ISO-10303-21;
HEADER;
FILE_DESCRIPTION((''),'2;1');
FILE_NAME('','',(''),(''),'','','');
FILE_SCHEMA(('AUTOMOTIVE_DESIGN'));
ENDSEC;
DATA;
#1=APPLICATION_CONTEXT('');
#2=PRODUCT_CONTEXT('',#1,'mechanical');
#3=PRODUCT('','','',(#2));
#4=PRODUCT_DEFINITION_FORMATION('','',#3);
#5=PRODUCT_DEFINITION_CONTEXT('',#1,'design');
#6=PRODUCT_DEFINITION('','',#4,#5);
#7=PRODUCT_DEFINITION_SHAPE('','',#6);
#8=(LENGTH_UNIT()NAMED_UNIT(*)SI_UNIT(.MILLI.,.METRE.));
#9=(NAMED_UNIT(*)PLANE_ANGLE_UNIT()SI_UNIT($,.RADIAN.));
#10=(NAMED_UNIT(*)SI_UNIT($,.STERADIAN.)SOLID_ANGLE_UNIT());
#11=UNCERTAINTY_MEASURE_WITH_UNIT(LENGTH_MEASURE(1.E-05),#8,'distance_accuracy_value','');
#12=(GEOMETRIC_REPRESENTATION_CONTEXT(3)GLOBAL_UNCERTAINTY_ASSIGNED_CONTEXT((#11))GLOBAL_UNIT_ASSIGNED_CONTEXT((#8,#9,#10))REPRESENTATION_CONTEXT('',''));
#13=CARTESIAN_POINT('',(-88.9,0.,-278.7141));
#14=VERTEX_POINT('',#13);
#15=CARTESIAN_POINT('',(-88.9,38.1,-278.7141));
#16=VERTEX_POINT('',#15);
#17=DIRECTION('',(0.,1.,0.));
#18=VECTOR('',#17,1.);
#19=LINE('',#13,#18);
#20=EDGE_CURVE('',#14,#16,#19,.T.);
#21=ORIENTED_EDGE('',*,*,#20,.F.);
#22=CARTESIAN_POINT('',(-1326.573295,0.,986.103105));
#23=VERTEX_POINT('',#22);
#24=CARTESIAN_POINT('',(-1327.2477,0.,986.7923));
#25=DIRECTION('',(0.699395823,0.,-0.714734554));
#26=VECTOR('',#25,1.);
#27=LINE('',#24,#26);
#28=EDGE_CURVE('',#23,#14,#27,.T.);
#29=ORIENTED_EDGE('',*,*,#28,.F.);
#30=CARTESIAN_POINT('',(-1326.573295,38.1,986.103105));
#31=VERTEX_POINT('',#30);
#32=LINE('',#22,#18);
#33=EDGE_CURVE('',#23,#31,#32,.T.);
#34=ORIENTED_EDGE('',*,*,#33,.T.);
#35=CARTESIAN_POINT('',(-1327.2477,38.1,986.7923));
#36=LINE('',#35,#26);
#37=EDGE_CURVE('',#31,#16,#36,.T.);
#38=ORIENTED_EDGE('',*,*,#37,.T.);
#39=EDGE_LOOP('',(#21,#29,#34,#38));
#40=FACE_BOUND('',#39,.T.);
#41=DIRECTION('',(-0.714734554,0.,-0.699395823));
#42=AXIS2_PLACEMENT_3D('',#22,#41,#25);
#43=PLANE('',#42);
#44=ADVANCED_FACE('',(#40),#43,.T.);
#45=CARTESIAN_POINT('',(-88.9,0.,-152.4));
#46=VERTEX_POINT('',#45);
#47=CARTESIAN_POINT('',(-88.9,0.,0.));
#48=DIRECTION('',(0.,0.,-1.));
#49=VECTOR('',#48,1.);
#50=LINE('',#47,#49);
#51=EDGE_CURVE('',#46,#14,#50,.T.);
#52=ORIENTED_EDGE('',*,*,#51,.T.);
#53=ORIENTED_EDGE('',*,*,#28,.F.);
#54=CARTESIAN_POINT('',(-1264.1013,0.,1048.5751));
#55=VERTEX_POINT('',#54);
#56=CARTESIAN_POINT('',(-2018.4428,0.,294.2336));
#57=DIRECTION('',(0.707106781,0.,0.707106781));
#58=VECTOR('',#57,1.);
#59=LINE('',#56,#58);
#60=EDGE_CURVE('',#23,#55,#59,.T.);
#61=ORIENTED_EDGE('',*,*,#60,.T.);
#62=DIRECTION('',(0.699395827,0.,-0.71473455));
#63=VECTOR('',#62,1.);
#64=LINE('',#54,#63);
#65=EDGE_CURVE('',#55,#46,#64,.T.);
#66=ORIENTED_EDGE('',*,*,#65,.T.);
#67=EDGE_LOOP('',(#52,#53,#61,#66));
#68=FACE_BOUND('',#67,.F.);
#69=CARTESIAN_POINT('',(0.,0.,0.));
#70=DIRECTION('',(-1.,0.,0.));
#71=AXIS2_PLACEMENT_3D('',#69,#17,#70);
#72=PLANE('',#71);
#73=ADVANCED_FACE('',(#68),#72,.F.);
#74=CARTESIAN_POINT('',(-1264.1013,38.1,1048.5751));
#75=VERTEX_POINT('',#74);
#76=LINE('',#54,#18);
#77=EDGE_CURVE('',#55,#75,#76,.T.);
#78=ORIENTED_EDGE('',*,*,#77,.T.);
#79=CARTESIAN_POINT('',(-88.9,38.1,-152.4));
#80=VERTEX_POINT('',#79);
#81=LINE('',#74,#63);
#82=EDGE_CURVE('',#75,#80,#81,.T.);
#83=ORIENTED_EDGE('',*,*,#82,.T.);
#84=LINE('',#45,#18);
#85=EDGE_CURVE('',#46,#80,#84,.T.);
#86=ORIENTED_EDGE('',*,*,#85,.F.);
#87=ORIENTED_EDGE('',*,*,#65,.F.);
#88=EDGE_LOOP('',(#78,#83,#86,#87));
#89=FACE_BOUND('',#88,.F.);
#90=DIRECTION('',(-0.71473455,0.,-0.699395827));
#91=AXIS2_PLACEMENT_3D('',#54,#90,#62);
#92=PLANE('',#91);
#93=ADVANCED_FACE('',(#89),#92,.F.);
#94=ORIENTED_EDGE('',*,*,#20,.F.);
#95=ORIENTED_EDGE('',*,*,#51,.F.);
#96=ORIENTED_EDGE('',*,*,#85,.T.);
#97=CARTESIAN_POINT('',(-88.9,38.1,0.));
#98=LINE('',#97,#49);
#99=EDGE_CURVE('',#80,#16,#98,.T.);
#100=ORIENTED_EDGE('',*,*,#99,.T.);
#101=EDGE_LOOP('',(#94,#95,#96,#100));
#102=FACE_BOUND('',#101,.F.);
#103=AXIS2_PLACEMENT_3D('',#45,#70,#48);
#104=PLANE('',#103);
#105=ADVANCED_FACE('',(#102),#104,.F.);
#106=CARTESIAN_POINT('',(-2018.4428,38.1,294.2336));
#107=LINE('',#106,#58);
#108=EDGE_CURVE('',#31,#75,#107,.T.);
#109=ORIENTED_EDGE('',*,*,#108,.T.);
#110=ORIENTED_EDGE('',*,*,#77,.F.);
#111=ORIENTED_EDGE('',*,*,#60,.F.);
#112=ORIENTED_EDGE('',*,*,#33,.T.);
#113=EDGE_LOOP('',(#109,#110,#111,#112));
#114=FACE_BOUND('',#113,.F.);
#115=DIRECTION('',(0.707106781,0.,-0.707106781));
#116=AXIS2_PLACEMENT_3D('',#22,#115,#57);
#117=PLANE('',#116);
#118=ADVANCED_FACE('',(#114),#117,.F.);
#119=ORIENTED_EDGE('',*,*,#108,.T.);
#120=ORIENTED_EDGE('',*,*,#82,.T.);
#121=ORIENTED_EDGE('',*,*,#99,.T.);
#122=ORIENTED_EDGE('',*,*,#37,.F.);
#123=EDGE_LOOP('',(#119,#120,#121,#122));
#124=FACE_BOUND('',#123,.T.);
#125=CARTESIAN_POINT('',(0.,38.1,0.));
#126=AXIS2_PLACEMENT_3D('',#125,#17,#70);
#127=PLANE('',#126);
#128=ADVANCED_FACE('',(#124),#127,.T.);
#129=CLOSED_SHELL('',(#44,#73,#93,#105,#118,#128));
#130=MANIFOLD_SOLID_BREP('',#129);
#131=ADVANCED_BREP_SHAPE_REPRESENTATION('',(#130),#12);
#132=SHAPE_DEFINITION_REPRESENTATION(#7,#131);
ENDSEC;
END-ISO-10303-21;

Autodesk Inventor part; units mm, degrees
ref_plane "YZ Plane" through (0, 0, 0) normal (1, 0, 0) x (0, 1, 0)
ref_plane "XZ Plane" through (0, 0, 0) normal (0, 1, 0) x (-1, 0, 0)
ref_plane "XY Plane" through (0, 0, 0) normal (0, 0, 1) x (1, 0, 0)
sketch "Sketch1" plane through (0, 0, 0) normal (0, 1, 0) x (-1, 0, 0)
  line L0 (0, 0) -> (0, -1219.2)
  line L1 (0, 0) -> (88.9, 0)
  line L2 (88.9, 0) -> (88.9, -1219.2)
  line L3 (88.9, -1219.2) -> (0, -1219.2)
  line L4 (0, 0) -> (0, 1219.2) construction
  line L5 (0, 1219.2) -> (1219.2, 1219.2) construction
  line L6 (0, 1219.2) -> (0, 3657.6) construction
  line L7 (0, 3657.6) -> (0, 4876.8) construction
  line L8 (0, 4876.8) -> (0, 6096) construction
  line L9 (0, -1219.2) -> (2438.4, -1219.2) construction
  line L10 (0, 6096) -> (2438.4, 6096) construction
  line L11 (2438.4, 6096) -> (2438.4, -1219.2) construction
  line L12 (0, 3657.6) -> (0, 3352.8) construction
  line L13 (0, 3352.8) -> (2438.4, 3352.8) construction
  line L14 (2438.4, 3352.8) -> (1219.2, 3352.8)
  line L15 (1219.2, 3352.8) -> (1219.2, 3263.9)
  line L16 (1219.2, 3263.9) -> (2438.4, 3263.9)
  line L17 (2438.4, 3263.9) -> (2438.4, 3352.8)
  line L18 (0, 6096) -> (862.1046, 6958.1046)
  line L19 (862.1046, 6958.1046) -> (924.9664, 6895.2428)
  line L20 (924.9664, 6895.2428) -> (62.8618, 6033.1382)
  line L21 (62.8618, 6033.1382) -> (0, 6096)
  line L22 (0, 4876.8) -> (1219.2, 4876.8) construction
  line L23 (1219.2, 4876.8) -> (2081.3046, 5738.9046)
  line L24 (1219.2, 1219.2) -> (2081.3046, 357.0954)
  line L25 (2081.3046, 357.0954) -> (2018.4428, 294.2336)
  line L26 (2018.4428, 294.2336) -> (1156.3382, 1156.3382)
  line L27 (1156.3382, 1156.3382) -> (1219.2, 1219.2)
  line L28 (2018.4428, 294.2336) -> (88.9, -1219.2)
  line L29 (2081.3046, 357.0954) -> (2144.1664, 419.9572)
  line L30 (2144.1664, 419.9572) -> (1282.0618, 1282.0618)
  line L31 (1282.0618, 1282.0618) -> (1219.2, 1219.2)
  line L32 (2438.4, 3352.8) -> (2438.4, 3441.7)
  line L33 (2438.4, 3441.7) -> (1219.2, 3441.7)
  line L34 (1219.2, 3441.7) -> (1219.2, 3352.8)
  line L35 (1156.3382, 4939.6618) -> (1282.0618, 4813.9382)
  line L36 (2018.4428, 5801.7664) -> (2144.1664, 5676.0428)
  line L37 (1282.0618, 4813.9382) -> (2144.1664, 5676.0428)
  line L38 (2018.4428, 5801.7664) -> (1156.3382, 4939.6618)
  line L39 (2018.4428, 5801.7664) -> (924.9664, 6895.2428)
  line L40 (62.8618, 6033.1382) -> (1156.3382, 4939.6618)
  line L41 (1233.6206, 4168.8855) -> (1267.6412, 4086.7527)
  line L42 (1263.7078, 2313.9849) -> (1230.0006, 2231.7229)
  arc A0 (862.1046, 6958.1046) -> (0, 6096) centre (431.0523, 6527.0523) ccw
  line L43 (1246.8542, 2272.8539) -> (2375.0183, 1810.583)
  line L44 (2391.8719, 1851.7139) -> (2358.1646, 1769.452)
  line L45 (2391.8719, 1851.7139) -> (1263.7078, 2313.9849)
  line L46 (1230.0006, 2231.7229) -> (2358.1646, 1769.452)
  line L47 (1230.0006, 2231.7229) -> (1219.2, 3263.9)
  line L48 (2144.1664, 419.9572) -> (2391.8719, 1851.7139)
  line L49 (2391.8719, 1851.7139) -> (2438.4, 3263.9)
  line L50 (1219.2, 3441.7) -> (1233.6206, 4168.8855)
  line L51 (1250.6309, 4127.8191) -> (2377.0248, 4594.3867)
  line L52 (2360.0145, 4635.4532) -> (2394.0351, 4553.3203)
  line L53 (2394.0351, 4553.3203) -> (1267.6412, 4086.7527)
  line L54 (2360.0145, 4635.4532) -> (1233.6206, 4168.8855)
  line L55 (2394.0351, 4553.3203) -> (2144.1664, 5676.0428)
  line L56 (2438.4, 3441.7) -> (2394.0351, 4553.3203)
  line L57 (2144.1664, 5676.0428) -> (2057.3895, 5656.7301)
  line L58 (2394.0351, 4553.3203) -> (2305.2058, 4549.7751)
  line L59 (2394.0351, 4553.3203) -> (2307.2582, 4534.0076)
  line L60 (2307.2582, 4534.0076) -> (2057.3895, 5656.7301)
  line L61 (2438.4, 3441.7) -> (2349.5707, 3438.1548)
  line L62 (2349.5707, 3438.1548) -> (2305.2058, 4549.7751)
  line L63 (1219.2, 3441.7) -> (1308.0825, 3439.9374)
  line L64 (1233.6206, 4168.8855) -> (1322.5031, 4167.1229)
  line L65 (1322.5031, 4167.1229) -> (1308.0825, 3439.9374)
  line L66 (2018.4428, 5801.7664) -> (1955.581, 5738.9046)
  line L67 (1955.581, 5738.9046) -> (862.1046, 6832.381)
  line L68 (924.9664, 6895.2428) -> (862.1046, 6832.381)
  line L69 (62.8618, 6033.1382) -> (125.7236, 6096)
  line L70 (62.8618, 6033.1382) -> (125.7236, 6096)
  line L71 (125.7236, 6096) -> (1219.2, 5002.5236)
  line L72 (1156.3382, 1156.3382) -> (0, 0)
  line L73 (0, 0) -> (62.8618, -62.8618)
  line L74 (1156.3382, 1156.3382) -> (1219.2, 1093.4764)
  line L75 (1219.2, 1093.4764) -> (62.8618, -62.8618)
  line L76 (2018.4428, 294.2336) -> (1963.5776, 364.1837)
  line L77 (88.9, -1219.2) -> (34.0348, -1149.2499)
  line L78 (34.0348, -1149.2499) -> (1963.5776, 364.1837)
  line L79 (2144.1664, 419.9572) -> (2056.5677, 435.1125)
  line L80 (2391.8719, 1851.7139) -> (2304.2732, 1866.8692)
  line L81 (2391.8719, 1851.7139) -> (2303.0201, 1854.6414)
  line L82 (2304.2732, 1866.8692) -> (2056.5677, 435.1125)
  line L83 (1230.0006, 2231.7229) -> (1318.8957, 2232.6531)
  line L84 (1219.2, 3263.9) -> (1308.0951, 3264.8302)
  line L85 (1308.0951, 3264.8302) -> (1318.8957, 2232.6531)
  line L86 (2438.4, 3263.9) -> (2349.5482, 3266.8275)
  line L87 (2349.5482, 3266.8275) -> (2303.0201, 1854.6414)
  line L88 (88.9, 0) -> (125.7236, 0)
  line L89 (1233.6206, 4168.8855) -> (1219.2, 4876.8)
  line L90 (1233.6206, 4168.8855) -> (1322.5022, 4170.6961)
  line L91 (1219.2, 4876.8) -> (1308.0816, 4878.6106)
  line L92 (1308.0816, 4878.6106) -> (1322.5022, 4170.6961)
  line L93 (1282.0618, 4813.9382) -> (1309.9674, 4786.0326)
  line L94 (1267.6412, 4086.7527) -> (1318.4756, 3964.0275)
  line L95 (2360.0145, 4635.4532) -> (2374.4273, 4641.4231)
  line L96 (1230.0006, 2231.7229) -> (1219.2, 1219.2)
  line L97 (1230.0006, 2231.7229) -> (1318.8955, 2230.7747)
  line L98 (1219.2, 1219.2) -> (1308.0949, 1218.2518)
  line L99 (1308.0949, 1218.2518) -> (1318.8955, 2230.7747)
  line L100 (1282.0618, 1282.0618) -> (1309.0636, 1309.0636)
  line L101 (1263.7078, 2313.9849) -> (1316.7428, 2438.4)
  line L102 (2358.1646, 1769.452) -> (2376.5379, 1763.082)
  line L103 (2286, 3352.8) -> (1371.6, 3352.8)
  line L104 (2286, 3441.7) -> (2286, 3263.9)
  line L105 (1371.6, 3441.7) -> (1371.6, 3263.9)
  line L106 (0, -152.4) -> (0, -1066.8)
  line L107 (0, -152.4) -> (88.9, -152.4)
  line L108 (0, -1066.8) -> (88.9, -1066.8)
  line L109 (1326.9631, 1111.4369) -> (1973.5415, 464.8585)
  line L110 (2036.4033, 527.7203) -> (1910.6797, 401.9967)
  line L111 (1389.8249, 1174.2987) -> (1264.1013, 1048.5751)
  line L112 (2233.9978, 1868.3668) -> (1387.8747, 2215.07)
  line L113 (1404.7283, 2256.201) -> (1371.0211, 2173.939)
  line L114 (2250.8514, 1909.4978) -> (2217.1441, 1827.2358)
  line L115 (1371.0211, 2173.939) -> (1389.8249, 1174.2987)
  line L116 (1264.1013, 1048.5751) -> (88.9, -152.4)
  line L117 (2217.1441, 1827.2358) -> (2036.4033, 527.7203)
  line L118 (1910.6797, 401.9967) -> (88.9, -1066.8)
  line L119 (88.9, -1066.8) -> (33.1016, -997.592)
  line L120 (1910.6797, 401.9967) -> (1854.8813, 471.2047)
  line L121 (1854.8813, 471.2047) -> (33.1016, -997.592)
  line L122 (88.9, -152.4) -> (0, -243.2497)
  line L123 (0, -243.2497) -> (63.5399, -305.426)
  line L124 (1263.7078, 1048.9686) -> (1327.2477, 986.7923)
  line L125 (1327.2477, 986.7923) -> (88.9, -278.7141)
  line L126 (1389.8249, 1174.2987) -> (1392.2351, 1046.1649)
  line L127 (1392.2351, 1046.1649) -> (1481.1194, 1047.8368)
  line L128 (1371.0211, 2173.939) -> (1459.9053, 2175.611)
  line L129 (1459.9053, 2175.611) -> (1481.1194, 1047.8368)
  line L130 (2036.4033, 527.7203) -> (1948.3509, 539.9669)
  line L131 (2217.1441, 1827.2358) -> (2223.465, 1872.6827)
  line L132 (2223.465, 1872.6827) -> (2135.4126, 1884.9293)
  line L133 (2135.4126, 1884.9293) -> (1948.3509, 539.9669)
  line L134 (88.9, -278.7141) -> (63.1422, -305.0368)
  point P0 (1955.1236, 357.5528)
  point P1 (88.9, -1106.2164)
  point P2 (2292.1025, 1796.5213)
  point P3 (2067.2525, 496.8711)
  point P4 (1318.5187, 2195.4522)
  point P5 (1308.1049, 3263.9)
  point P6 (2349.4518, 3263.9)
  point P7 (2304.1085, 1887.6754)
  point P8 (2306.5112, 4517.0667)
  point P9 (2349.4292, 3441.7)
  point P10 (1308.1175, 3441.7)
  point P11 (2069.6708, 5601.5472)
  point P12 (2291.0394, 4606.8827)
  point P13 (1321.7951, 4205.4086)
  point P14 (1828.8, 3352.8)
  point P15 (0, -609.6)
  point P16 (1650.2523, 788.1477)
  point P17 (1810.9362, 2041.7184)
  point P18 (88.9, -278.7141)
  point P19 (1326.5733, 986.1031)
  dimension "d0" = 1219.2
  dimension "d2" = 1219.2
  dimension "d3" = 1219.2
  dimension "d16" = 2438.4
  dimension "d17" = 1219.2
  dimension "d18" = 1219.2
  dimension "d20" = 2438.4
  dimension "d21" = 304.8
  dimension "d22" = 1219.2
  dimension "d23" = 88.9
  dimension "d24" = 1219.2
  dimension "d25" = 45
  dimension "d26" = 88.9
  dimension "d27" = 1219.2
  dimension "d28" = 1219.2
  dimension "d29" = 1219.2
  dimension "d31" = 1219.2
  dimension "d32" = 88.9
  dimension "d33" = 88.9
  dimension "d34" = 88.9
  dimension "d35" = 177.8
  dimension "d36" = 177.8
  dimension "d38" = 88.9
  dimension "d39" = 88.9
  dimension "d43" = 1219.2
  dimension "d44" = 88.9
  dimension "d45" = 1219.2
  dimension "d46" = 88.9
  dimension "d47" = 88.9
  dimension "d48" = 88.9
  dimension "d49" = 88.9
  dimension "d50" = 88.9
  dimension "d51" = 88.9
  dimension "d54" = 88.9
  dimension "d55" = 88.9
  dimension "d57" = 88.9
  dimension "d58" = 88.9
  dimension "d59" = 88.9
  dimension "d60" = 88.9
  dimension "d61" = 88.9
  dimension "d64" = 88.9
  dimension "d65" = 88.9
  dimension "d66" = 88.9
  dimension "d69" = 88.9
  dimension "d70" = 88.9
  dimension "d71" = 88.9
  dimension "d72" = 88.9
  dimension "d73" = 914.4
  dimension "d74" = 914.4
  dimension "d75" = 914.4
  dimension "d76" = 914.4
  dimension "d77" = 88.9
  dimension "d78" = 88.9
  dimension "d79" = 88.9
  dimension "d80" = 88.9
  dimension "d83" = 88.9
  dimension "d84" = 88.9
  dimension "d85" = 88.9
  dimension "d86" = 88.9
extrude "Extrusion2" add sketch "Sketch1" along normal blind 38.1 contours L116 L26 L125 L2
properties part number "S_2x4x69.709"
